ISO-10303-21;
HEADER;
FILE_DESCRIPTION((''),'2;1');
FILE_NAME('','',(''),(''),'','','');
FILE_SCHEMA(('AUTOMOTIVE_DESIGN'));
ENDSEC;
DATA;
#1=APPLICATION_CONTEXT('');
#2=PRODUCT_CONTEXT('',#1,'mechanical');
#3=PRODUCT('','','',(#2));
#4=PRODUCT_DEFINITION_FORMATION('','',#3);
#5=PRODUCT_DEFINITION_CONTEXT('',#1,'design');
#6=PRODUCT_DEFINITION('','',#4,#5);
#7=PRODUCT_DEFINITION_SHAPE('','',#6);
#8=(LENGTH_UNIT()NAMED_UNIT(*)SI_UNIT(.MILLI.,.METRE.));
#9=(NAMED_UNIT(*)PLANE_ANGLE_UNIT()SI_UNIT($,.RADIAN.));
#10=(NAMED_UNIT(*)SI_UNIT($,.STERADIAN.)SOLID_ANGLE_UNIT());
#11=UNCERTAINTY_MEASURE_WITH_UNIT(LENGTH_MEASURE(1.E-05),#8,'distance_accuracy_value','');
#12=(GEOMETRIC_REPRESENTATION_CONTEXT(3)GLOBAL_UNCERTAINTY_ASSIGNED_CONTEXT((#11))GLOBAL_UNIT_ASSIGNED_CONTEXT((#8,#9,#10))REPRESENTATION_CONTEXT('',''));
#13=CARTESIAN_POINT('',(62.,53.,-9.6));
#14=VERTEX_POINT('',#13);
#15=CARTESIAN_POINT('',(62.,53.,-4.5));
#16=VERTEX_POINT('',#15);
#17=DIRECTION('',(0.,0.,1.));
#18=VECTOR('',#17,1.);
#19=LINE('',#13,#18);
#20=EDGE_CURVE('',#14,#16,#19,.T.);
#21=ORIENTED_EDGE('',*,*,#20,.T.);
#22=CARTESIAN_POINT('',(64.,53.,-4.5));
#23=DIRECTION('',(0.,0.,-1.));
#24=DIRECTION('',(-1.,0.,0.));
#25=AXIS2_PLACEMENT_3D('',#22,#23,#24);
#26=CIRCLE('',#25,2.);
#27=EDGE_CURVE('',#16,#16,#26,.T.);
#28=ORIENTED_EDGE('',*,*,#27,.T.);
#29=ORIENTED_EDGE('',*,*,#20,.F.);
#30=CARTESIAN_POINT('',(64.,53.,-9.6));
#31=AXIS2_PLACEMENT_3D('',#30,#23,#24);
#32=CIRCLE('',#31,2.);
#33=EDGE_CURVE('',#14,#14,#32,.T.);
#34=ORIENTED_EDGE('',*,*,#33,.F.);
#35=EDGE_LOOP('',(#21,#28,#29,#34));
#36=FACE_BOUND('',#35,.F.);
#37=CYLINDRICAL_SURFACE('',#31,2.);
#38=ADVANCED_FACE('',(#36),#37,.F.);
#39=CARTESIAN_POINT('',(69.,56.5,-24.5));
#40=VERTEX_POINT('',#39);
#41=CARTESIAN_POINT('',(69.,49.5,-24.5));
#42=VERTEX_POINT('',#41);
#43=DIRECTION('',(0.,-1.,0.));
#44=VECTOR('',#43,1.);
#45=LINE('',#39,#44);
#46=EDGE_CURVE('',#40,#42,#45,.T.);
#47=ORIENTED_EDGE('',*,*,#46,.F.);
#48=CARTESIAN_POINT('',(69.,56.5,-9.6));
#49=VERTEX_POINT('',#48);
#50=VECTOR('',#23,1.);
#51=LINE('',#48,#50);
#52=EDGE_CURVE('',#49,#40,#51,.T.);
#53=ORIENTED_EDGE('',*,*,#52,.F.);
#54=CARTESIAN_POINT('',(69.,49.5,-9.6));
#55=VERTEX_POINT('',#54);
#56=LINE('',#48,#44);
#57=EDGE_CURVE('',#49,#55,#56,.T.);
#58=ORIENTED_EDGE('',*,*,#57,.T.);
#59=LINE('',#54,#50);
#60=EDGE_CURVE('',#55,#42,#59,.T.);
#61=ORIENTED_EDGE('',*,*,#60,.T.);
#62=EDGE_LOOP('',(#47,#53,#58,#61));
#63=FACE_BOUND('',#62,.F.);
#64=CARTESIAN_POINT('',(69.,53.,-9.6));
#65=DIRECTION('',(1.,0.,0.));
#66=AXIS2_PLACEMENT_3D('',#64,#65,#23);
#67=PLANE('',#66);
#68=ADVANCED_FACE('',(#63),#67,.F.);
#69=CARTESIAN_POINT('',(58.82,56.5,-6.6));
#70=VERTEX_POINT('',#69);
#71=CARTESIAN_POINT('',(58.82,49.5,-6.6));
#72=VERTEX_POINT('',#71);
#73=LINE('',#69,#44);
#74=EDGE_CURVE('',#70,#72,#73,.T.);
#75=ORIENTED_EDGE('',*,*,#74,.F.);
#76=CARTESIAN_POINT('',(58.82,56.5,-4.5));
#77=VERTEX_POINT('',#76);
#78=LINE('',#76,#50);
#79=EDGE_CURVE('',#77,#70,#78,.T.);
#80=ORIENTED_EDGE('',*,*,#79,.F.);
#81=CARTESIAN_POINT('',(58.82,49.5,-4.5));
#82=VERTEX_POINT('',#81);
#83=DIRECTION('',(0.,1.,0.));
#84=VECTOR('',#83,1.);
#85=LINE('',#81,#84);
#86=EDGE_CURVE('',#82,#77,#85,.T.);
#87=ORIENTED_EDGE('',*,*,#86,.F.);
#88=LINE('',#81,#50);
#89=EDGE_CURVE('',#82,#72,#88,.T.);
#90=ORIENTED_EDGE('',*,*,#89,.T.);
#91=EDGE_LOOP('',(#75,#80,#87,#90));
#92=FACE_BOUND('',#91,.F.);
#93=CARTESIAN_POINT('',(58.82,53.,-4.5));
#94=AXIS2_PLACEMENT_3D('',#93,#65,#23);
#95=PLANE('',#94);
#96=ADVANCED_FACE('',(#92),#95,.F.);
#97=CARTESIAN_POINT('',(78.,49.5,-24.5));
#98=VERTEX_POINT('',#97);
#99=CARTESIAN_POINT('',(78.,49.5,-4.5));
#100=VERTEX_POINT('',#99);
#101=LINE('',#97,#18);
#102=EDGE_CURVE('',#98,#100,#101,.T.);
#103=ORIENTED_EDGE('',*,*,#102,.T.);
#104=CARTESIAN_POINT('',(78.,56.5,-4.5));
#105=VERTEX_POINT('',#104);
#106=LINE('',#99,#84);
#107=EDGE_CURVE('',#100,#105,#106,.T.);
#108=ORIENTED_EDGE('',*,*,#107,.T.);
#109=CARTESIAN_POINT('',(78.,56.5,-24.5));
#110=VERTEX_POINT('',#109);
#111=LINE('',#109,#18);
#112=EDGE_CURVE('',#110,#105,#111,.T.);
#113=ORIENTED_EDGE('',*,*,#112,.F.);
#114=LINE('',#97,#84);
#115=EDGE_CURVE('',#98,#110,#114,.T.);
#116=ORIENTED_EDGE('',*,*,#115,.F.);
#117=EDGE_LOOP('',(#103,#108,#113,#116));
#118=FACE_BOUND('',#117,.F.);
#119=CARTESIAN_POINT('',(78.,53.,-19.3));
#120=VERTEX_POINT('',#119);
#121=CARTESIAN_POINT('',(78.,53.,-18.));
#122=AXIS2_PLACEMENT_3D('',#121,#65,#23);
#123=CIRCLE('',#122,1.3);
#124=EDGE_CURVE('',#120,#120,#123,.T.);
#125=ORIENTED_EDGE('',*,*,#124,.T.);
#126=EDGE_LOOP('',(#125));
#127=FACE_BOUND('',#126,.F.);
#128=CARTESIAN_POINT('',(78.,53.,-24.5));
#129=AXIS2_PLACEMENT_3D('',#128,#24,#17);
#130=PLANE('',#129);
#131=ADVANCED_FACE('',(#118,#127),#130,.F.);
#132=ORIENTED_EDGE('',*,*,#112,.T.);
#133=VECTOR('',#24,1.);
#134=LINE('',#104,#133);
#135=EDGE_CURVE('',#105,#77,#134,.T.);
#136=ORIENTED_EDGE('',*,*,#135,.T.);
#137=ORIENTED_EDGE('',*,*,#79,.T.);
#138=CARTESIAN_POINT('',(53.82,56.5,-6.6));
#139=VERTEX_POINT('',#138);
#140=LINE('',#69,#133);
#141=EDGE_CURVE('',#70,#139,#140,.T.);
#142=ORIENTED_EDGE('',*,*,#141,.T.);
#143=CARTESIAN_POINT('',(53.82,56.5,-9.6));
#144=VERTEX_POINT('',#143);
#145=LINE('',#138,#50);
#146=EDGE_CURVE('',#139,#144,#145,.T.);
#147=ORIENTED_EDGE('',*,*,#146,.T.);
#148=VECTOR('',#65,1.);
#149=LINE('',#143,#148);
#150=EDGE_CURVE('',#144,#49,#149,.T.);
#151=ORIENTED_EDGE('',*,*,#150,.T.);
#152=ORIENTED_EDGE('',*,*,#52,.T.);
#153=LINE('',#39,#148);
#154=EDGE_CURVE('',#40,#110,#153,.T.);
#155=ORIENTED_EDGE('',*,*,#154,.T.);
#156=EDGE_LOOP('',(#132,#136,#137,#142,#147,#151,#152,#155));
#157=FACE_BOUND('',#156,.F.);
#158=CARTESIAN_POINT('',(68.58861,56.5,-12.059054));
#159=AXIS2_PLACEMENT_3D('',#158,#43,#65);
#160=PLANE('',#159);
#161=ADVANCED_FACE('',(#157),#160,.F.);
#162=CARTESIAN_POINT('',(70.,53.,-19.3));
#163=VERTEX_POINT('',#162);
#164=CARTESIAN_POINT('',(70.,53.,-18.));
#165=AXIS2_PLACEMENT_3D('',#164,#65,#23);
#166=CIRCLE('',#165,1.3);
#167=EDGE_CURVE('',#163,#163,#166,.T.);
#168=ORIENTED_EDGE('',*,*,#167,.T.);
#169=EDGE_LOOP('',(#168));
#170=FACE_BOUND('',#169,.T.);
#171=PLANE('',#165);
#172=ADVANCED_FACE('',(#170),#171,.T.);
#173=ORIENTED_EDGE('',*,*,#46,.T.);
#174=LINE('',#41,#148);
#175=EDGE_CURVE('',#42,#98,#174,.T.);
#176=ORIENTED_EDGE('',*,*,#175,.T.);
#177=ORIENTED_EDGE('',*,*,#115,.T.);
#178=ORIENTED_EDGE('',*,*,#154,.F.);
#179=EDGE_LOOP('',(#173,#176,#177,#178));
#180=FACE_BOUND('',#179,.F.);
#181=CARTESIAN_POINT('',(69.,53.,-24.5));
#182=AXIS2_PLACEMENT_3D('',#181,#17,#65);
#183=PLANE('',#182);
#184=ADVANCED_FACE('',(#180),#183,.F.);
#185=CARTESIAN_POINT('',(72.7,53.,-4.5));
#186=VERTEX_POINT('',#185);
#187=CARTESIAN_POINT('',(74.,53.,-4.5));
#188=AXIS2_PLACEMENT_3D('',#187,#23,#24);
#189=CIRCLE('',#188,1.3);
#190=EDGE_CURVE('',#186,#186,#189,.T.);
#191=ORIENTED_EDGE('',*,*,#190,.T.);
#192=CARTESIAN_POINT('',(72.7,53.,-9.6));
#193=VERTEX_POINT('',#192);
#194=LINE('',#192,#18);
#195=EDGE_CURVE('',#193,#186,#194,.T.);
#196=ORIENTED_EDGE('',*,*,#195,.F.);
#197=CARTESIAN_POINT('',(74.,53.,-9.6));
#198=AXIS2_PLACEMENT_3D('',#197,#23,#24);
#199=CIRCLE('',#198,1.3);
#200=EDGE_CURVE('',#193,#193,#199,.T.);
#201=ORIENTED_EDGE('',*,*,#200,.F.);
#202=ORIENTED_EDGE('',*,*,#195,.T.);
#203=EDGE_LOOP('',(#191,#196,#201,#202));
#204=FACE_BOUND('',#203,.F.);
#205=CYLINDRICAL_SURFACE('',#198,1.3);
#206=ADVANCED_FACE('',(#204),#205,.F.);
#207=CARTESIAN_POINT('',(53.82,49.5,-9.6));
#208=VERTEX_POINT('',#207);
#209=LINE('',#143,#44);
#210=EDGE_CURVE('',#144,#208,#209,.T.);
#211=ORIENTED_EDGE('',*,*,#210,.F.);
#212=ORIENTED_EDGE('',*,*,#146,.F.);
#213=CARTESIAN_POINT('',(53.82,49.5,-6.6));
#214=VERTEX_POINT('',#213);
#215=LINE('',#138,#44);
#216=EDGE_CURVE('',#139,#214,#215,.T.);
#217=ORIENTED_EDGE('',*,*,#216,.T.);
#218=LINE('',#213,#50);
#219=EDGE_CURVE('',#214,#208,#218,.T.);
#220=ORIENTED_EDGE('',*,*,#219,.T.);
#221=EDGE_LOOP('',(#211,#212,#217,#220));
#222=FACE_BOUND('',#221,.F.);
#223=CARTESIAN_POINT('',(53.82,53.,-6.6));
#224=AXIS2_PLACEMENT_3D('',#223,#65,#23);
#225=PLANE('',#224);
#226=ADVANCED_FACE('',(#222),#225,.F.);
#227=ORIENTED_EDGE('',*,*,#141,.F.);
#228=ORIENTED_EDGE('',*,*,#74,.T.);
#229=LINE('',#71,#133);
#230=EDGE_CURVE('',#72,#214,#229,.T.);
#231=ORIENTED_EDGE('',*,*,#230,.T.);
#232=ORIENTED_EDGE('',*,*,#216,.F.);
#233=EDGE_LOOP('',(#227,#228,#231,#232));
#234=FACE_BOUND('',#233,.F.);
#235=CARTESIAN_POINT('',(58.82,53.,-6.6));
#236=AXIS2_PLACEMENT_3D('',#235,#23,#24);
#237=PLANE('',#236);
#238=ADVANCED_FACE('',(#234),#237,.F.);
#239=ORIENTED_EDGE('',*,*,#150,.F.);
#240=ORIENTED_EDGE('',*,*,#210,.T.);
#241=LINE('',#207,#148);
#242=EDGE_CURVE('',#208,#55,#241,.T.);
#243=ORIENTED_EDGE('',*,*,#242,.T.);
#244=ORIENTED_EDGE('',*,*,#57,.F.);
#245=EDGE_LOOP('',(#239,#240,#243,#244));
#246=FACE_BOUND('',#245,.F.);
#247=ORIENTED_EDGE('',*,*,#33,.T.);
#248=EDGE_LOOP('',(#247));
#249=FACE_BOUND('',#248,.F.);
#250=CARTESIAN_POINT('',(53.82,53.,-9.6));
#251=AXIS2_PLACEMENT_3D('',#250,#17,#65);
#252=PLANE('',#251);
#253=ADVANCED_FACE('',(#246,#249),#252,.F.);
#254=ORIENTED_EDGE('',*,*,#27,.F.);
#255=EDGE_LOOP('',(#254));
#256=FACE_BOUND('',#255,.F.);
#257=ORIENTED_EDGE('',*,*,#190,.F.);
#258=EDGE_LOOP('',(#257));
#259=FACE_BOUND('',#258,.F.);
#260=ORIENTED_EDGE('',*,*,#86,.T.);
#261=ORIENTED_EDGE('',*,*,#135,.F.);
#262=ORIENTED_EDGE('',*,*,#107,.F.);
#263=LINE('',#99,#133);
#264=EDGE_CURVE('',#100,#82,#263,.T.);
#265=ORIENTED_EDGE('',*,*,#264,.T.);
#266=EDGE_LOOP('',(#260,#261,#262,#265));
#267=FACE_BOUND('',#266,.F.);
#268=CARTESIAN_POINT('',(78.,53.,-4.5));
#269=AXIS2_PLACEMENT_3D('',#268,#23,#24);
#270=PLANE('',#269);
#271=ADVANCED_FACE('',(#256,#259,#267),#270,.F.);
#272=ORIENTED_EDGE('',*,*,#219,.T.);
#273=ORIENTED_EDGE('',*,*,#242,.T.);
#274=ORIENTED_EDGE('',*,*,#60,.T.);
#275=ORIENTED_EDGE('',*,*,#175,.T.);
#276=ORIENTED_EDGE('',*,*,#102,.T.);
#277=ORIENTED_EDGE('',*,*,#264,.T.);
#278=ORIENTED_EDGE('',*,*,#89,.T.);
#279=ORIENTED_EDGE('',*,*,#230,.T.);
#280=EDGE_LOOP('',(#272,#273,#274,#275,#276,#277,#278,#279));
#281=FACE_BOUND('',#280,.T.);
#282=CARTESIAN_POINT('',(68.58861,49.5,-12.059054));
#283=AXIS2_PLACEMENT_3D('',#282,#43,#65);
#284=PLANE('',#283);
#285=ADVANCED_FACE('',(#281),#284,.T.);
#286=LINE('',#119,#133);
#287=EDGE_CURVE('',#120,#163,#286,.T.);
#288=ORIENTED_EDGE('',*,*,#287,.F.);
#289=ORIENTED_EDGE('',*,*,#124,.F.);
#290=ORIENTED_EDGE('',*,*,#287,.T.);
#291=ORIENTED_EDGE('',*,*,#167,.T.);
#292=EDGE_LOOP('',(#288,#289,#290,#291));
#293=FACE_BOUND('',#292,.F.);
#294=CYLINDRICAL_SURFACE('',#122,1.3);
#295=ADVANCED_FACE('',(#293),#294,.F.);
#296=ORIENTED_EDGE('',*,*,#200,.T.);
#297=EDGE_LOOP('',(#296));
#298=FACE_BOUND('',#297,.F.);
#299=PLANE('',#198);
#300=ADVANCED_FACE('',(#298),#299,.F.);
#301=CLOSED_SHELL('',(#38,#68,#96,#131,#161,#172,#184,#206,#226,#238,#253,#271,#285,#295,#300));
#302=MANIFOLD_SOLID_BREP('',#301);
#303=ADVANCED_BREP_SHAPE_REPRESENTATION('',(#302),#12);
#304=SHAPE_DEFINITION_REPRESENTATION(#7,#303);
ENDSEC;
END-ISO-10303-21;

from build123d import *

# Parameters (mm, degrees)
PAD025_DEPTH             = 3.5
PAD025_DEPTH_BACK        = 3.5
SKETCH047_R              = 2
SKETCH047_R_2            = 1.3
POCKET_DEPTH             = 8
SKETCH049_R              = 1.3
POCKET001_DEPTH          = 8
CLONE009_PLACEMENT_ANGLE = 180


with BuildPart() as part:
    # Sketch → Pad025 (new body, two sides)
    with BuildSketch(Plane.XZ) as pad025_sk:
        Polygon((-58.82, -4.5), (-58.82, -6.6), (-53.82, -6.6), (-53.82, -9.6), (-69, -9.6), (-69, -24.5), (-78, -24.5), (-78, -4.5), align=None)
    extrude(amount=PAD025_DEPTH)
    extrude(pad025_sk.sketch, amount=-PAD025_DEPTH_BACK)

    # Sketch047 → Pocket (cut)
    with BuildSketch(Plane(origin=(0, 0, -9.6), x_dir=(1, 0, 0), z_dir=(0, 0, -1))):
        with Locations((-64, 0)):
            Circle(SKETCH047_R)
        with Locations((-74, 0)):
            Circle(SKETCH047_R_2)
    extrude(amount=-POCKET_DEPTH, mode=Mode.SUBTRACT)

    # Sketch049 → Pocket001 (cut)
    with BuildSketch(Plane(origin=(-78, 0, 0), x_dir=(0, 0, -1), z_dir=(-1, 0, 0))):
        with Locations((18, 0)):
            Circle(SKETCH049_R)
    extrude(amount=-POCKET001_DEPTH, mode=Mode.SUBTRACT)


with BuildPart() as part_1:
    # Clone009 placement: moved
    add(part.part.moved(Location((0, 53, 0))).rotate(Axis((0, 53, 0), (0, 0, 1)), CLONE009_PLACEMENT_ANGLE))


solid = part_1.part
